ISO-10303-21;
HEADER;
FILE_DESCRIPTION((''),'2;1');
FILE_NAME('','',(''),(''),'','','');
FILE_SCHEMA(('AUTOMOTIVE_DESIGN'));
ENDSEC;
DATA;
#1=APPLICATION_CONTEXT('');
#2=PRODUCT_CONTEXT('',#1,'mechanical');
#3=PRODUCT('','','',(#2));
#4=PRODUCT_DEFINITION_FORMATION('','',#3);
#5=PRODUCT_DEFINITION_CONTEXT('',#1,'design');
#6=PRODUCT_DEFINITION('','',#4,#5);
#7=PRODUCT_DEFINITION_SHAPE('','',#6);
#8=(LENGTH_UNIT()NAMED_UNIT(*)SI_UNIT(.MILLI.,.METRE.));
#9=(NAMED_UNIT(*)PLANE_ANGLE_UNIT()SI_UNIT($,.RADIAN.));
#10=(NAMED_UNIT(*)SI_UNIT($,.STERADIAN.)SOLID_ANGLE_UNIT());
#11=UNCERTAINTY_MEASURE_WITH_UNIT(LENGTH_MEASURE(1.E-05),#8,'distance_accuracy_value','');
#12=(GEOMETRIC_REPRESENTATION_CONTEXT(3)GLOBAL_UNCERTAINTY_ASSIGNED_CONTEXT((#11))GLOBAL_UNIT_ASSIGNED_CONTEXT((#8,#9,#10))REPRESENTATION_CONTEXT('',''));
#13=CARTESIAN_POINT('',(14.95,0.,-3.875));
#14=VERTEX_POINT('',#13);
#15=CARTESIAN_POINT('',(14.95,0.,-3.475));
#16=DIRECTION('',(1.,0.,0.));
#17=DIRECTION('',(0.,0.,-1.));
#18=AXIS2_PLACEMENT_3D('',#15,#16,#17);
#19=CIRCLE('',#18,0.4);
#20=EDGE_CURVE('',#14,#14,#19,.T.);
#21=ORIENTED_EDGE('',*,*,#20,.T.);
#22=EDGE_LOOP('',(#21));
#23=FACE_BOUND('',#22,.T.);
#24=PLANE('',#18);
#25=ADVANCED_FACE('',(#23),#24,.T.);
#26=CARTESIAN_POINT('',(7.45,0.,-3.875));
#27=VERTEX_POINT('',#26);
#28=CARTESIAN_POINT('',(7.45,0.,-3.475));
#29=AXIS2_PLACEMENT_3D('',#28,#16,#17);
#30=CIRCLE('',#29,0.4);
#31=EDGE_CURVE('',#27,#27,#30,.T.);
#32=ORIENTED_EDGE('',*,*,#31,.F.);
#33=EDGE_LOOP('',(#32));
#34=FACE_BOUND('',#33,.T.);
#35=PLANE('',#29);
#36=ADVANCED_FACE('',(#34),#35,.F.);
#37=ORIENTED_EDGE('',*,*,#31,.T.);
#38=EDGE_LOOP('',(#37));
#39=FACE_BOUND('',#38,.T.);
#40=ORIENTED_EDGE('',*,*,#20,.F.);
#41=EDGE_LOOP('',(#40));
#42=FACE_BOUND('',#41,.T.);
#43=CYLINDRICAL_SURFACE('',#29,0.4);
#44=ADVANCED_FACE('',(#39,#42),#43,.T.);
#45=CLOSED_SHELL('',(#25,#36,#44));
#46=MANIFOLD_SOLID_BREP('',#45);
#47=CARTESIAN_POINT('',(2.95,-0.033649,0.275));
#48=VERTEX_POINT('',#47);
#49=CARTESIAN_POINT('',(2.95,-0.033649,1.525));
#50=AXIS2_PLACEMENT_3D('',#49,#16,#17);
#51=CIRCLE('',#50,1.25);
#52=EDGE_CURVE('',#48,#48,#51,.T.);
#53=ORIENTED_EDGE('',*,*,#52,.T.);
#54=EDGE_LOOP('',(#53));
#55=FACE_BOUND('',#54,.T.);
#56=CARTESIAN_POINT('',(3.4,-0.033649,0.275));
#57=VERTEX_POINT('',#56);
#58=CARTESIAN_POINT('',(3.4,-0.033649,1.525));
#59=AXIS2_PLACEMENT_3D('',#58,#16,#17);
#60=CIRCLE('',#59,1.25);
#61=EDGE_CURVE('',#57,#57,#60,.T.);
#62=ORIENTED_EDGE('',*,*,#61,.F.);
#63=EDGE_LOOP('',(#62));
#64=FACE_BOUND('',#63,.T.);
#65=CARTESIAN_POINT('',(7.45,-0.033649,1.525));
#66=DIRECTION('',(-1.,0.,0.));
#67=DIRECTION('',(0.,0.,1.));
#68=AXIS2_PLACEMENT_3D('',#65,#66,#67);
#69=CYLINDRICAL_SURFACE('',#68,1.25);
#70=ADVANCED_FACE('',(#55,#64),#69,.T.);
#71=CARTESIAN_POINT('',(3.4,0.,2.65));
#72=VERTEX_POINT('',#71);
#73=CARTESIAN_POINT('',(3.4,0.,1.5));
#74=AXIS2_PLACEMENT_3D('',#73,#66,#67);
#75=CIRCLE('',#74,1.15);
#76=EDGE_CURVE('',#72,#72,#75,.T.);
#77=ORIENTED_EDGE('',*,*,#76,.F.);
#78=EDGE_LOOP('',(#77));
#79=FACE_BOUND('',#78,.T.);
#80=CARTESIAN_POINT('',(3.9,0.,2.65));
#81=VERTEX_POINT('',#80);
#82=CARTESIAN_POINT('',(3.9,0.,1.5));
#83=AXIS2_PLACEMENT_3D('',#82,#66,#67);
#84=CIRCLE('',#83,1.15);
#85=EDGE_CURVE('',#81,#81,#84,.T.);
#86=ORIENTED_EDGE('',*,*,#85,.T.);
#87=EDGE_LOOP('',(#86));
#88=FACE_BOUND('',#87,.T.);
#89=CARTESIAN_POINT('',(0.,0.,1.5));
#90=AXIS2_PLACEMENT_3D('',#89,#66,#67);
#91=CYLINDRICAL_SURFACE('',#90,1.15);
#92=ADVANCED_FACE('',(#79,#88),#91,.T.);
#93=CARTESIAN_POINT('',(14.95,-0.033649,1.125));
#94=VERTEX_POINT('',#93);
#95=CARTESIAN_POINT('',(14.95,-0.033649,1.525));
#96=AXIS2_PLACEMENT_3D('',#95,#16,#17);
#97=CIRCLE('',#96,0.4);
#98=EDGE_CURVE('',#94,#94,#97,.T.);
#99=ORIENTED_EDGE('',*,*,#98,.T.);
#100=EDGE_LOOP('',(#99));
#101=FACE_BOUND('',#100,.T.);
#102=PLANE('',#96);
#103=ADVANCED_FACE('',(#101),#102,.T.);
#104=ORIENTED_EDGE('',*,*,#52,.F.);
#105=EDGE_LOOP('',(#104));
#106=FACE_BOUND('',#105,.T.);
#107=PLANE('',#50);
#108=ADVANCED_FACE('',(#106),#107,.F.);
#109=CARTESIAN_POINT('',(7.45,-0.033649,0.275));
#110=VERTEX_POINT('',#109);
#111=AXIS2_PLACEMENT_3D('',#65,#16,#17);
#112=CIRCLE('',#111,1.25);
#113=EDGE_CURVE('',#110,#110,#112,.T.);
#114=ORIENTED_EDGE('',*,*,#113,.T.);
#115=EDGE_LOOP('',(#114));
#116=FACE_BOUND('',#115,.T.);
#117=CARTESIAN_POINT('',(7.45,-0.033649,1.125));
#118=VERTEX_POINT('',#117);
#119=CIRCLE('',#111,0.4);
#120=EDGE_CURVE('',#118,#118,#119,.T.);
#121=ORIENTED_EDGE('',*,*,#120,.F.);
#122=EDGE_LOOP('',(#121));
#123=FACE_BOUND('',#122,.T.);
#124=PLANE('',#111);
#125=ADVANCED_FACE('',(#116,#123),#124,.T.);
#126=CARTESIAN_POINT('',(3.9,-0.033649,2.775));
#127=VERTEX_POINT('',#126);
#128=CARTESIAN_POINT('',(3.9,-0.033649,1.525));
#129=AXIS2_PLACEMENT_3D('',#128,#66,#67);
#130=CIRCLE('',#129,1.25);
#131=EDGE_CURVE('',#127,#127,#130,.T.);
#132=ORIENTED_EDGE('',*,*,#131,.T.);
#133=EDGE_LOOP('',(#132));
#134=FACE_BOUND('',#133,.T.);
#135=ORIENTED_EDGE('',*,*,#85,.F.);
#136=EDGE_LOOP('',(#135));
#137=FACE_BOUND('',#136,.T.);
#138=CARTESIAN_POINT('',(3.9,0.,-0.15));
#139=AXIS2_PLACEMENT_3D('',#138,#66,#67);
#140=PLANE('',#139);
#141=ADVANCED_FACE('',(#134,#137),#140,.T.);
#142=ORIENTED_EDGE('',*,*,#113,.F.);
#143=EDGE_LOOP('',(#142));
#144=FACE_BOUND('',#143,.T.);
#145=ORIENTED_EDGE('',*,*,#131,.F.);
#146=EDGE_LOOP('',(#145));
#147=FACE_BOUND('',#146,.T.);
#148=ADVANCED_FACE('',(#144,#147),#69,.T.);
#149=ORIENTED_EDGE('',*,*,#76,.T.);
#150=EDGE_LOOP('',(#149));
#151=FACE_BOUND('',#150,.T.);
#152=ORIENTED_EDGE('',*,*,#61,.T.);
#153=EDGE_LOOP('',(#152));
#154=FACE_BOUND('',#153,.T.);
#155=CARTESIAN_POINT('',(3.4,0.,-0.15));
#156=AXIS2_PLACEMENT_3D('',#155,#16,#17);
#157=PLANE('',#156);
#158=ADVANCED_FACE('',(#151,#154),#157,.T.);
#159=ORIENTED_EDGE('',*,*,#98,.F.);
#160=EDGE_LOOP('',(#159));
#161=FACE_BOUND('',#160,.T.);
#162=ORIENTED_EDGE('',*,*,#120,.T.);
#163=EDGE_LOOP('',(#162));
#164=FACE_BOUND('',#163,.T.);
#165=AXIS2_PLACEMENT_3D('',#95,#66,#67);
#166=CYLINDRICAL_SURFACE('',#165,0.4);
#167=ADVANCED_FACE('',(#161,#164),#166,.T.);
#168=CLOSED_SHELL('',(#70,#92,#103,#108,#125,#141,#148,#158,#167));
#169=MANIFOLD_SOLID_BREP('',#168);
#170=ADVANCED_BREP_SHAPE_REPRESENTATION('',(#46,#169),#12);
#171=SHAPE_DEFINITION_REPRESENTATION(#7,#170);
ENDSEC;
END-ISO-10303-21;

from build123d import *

# Parameters (mm, degrees)
SKETCH_3_R      = 1.25
EXTRUDE_1_DEPTH = 4.5
SKETCH_4_W      = 0.5
SKETCH_4_H      = 0.5
SKETCH_7_R      = 0.4
EXTRUDE_3_DEPTH = 7.5
SKETCH_10_R     = 0.4
EXTRUDE_4_DEPTH = 7.5


with BuildPart() as part:
    # Эскиз3 → Вытянуть1 (new body)
    with BuildSketch(Plane(origin=(2.95, 0, 0), x_dir=(0, 0, -1), z_dir=(1, 0, 0))):
        with Locations((-1.525, -0.033649265)):
            Circle(SKETCH_3_R)
    extrude(amount=EXTRUDE_1_DEPTH)

    # Эскиз4 → Вырез-Повернуть1 (revolve, cut)
    with BuildSketch(Plane(origin=(0, 0, 0), x_dir=(1, 0, 0), z_dir=(0, 1, 0)), mode=Mode.PRIVATE) as cut_revolve_1_sk:
        with Locations((3.65, -0.1)):
            Rectangle(SKETCH_4_W, SKETCH_4_H)
    revolve(cut_revolve_1_sk.sketch.rotate(Axis((0, 0, 1.5), (1, 0, 0)), 180), axis=Axis((0, 0, 1.5), (1, 0, 0)), mode=Mode.SUBTRACT)

    # Эскиз7 → Вытянуть3 (add)
    with BuildSketch(Plane(origin=(7.45, 0, 0), x_dir=(0, 0, -1), z_dir=(1, 0, 0))):
        with Locations((-1.525, -0.033649265)):
            Circle(SKETCH_7_R)
    extrude(amount=EXTRUDE_3_DEPTH)


with BuildPart() as body_2:
    # Эскиз10 → Вытянуть4 (new body)
    with BuildSketch(Plane(origin=(14.95, 0, 0), x_dir=(0, 0, -1), z_dir=(1, 0, 0))):
        with Locations((3.475, 0)):
            Circle(SKETCH_10_R)
    extrude(amount=-EXTRUDE_4_DEPTH)


solid = Compound([part.part, body_2.part])
